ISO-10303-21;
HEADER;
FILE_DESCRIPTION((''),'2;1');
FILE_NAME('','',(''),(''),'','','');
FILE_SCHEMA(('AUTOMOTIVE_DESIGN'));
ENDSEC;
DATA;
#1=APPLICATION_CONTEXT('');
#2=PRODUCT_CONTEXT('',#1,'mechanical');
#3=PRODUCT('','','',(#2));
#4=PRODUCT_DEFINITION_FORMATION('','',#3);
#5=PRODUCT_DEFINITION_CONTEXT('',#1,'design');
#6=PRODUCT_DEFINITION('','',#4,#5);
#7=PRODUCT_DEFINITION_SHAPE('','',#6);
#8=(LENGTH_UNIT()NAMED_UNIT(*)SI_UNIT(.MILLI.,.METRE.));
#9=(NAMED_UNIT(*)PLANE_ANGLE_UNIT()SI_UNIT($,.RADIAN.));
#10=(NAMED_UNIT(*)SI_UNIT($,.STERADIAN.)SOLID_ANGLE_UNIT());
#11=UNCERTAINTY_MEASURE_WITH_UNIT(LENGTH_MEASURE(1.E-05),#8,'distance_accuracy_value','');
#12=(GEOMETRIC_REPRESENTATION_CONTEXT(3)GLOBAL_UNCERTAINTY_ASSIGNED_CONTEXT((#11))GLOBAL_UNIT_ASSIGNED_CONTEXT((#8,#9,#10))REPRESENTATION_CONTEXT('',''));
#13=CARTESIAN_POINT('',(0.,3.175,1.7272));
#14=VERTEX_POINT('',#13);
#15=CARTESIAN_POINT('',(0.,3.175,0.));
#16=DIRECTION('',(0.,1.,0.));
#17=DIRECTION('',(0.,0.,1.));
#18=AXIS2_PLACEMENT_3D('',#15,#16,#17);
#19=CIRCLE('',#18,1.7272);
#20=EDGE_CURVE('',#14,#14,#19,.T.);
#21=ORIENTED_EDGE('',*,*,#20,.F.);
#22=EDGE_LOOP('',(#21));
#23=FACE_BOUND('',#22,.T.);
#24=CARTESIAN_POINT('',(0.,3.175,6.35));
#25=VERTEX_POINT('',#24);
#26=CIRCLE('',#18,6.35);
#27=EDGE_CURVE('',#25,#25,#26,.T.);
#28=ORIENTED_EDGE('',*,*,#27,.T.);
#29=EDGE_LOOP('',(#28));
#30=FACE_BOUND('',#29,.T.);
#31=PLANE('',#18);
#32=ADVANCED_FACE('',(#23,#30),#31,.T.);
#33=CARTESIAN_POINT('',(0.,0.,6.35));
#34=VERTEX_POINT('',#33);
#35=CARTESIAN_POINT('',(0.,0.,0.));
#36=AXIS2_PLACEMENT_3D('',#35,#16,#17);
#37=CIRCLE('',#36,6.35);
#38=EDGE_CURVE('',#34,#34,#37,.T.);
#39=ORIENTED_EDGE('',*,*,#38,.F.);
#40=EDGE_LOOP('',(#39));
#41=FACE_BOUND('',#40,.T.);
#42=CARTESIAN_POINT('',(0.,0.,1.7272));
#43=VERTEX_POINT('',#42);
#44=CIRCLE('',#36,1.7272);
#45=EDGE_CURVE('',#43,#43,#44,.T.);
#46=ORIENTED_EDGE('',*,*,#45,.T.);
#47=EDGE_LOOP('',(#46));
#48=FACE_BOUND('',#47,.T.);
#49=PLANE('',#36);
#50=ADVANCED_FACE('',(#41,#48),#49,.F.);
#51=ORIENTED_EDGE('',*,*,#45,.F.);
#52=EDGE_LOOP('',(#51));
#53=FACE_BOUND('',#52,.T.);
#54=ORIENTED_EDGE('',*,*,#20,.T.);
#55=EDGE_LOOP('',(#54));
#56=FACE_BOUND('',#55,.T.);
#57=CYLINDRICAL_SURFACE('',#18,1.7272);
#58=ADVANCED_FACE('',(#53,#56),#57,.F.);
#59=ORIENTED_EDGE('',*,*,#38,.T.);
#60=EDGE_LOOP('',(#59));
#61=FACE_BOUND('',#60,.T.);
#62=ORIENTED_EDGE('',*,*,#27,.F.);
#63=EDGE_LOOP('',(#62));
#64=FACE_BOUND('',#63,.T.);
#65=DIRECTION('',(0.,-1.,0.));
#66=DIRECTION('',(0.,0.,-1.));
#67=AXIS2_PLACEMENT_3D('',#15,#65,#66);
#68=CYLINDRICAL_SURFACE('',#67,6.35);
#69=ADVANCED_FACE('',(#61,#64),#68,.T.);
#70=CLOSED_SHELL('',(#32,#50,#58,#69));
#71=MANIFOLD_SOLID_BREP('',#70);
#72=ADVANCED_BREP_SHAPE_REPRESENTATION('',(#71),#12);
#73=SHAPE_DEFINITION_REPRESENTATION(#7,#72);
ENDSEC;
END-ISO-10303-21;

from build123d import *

# Parameters (mm, degrees)
SKETCH1_R             = 6.35
SKETCH1_R_2           = 1.143
BOSS_EXTRUDE1_DEPTH   = 3.175
F_8_32_TAPPED_HOLE1_D = 3.4544


with BuildPart() as part:
    # Sketch1 → Boss-Extrude1 (new body)
    with BuildSketch(Plane(origin=(0, 0, 0), x_dir=(1, 0, 0), z_dir=(0, 1, 0))):
        with Locations(Location((0, 0, 0), (0, 0, 270))):  # turned: the seam where the file's is
            Circle(SKETCH1_R)
        with Locations(Location((0, 0, 0), (0, 0, 270))):  # turned: the seam where the file's is
            Circle(SKETCH1_R_2, mode=Mode.SUBTRACT)
    extrude(amount=BOSS_EXTRUDE1_DEPTH)

    # #8-32 Tapped Hole1 (through all)
    with Locations(Plane(origin=(0, 3.175, 0), x_dir=(1, 0, 0), z_dir=(0, 1, 0))):
        with Locations((0, 0)):
            Hole(F_8_32_TAPPED_HOLE1_D / 2)


solid = part.part
